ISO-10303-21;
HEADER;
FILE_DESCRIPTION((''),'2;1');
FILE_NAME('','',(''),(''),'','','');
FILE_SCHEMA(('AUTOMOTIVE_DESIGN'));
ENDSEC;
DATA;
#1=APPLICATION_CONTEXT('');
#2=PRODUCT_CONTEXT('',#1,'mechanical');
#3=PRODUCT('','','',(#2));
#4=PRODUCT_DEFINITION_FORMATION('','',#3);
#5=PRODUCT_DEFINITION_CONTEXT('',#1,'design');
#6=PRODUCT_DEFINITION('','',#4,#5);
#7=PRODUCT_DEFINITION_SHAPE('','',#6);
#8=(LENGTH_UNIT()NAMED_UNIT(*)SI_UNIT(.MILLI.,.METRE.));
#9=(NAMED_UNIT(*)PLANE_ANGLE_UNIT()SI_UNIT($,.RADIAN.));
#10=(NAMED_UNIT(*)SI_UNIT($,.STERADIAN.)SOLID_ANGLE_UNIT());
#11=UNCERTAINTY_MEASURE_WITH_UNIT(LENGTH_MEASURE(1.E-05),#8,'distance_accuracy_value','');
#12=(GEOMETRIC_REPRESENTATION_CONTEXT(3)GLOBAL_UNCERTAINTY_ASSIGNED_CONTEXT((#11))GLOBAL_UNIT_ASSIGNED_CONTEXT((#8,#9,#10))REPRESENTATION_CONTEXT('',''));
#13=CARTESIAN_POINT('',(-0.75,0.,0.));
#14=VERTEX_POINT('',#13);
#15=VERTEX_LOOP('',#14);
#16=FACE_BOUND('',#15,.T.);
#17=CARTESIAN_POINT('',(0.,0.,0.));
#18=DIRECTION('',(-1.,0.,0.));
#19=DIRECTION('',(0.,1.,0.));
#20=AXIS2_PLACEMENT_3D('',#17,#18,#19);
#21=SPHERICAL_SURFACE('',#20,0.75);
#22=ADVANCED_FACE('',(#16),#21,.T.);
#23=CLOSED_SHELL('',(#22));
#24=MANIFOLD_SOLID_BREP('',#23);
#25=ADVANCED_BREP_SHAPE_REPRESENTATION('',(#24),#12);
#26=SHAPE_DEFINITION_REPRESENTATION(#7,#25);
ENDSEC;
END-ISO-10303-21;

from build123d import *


with BuildPart() as part:
    # Sketch1 → Revolve1 (revolve)
    with BuildSketch(Plane.XY):
        with BuildLine():
            Line((0.75, 0), (-0.75, 0))
            ThreePointArc((-0.75, 0), (0, -0.75), (0.75, 0))
        make_face()
    revolve(axis=Axis((-13.28796663, 0, 0), (1, 0, 0)))


solid = part.part
